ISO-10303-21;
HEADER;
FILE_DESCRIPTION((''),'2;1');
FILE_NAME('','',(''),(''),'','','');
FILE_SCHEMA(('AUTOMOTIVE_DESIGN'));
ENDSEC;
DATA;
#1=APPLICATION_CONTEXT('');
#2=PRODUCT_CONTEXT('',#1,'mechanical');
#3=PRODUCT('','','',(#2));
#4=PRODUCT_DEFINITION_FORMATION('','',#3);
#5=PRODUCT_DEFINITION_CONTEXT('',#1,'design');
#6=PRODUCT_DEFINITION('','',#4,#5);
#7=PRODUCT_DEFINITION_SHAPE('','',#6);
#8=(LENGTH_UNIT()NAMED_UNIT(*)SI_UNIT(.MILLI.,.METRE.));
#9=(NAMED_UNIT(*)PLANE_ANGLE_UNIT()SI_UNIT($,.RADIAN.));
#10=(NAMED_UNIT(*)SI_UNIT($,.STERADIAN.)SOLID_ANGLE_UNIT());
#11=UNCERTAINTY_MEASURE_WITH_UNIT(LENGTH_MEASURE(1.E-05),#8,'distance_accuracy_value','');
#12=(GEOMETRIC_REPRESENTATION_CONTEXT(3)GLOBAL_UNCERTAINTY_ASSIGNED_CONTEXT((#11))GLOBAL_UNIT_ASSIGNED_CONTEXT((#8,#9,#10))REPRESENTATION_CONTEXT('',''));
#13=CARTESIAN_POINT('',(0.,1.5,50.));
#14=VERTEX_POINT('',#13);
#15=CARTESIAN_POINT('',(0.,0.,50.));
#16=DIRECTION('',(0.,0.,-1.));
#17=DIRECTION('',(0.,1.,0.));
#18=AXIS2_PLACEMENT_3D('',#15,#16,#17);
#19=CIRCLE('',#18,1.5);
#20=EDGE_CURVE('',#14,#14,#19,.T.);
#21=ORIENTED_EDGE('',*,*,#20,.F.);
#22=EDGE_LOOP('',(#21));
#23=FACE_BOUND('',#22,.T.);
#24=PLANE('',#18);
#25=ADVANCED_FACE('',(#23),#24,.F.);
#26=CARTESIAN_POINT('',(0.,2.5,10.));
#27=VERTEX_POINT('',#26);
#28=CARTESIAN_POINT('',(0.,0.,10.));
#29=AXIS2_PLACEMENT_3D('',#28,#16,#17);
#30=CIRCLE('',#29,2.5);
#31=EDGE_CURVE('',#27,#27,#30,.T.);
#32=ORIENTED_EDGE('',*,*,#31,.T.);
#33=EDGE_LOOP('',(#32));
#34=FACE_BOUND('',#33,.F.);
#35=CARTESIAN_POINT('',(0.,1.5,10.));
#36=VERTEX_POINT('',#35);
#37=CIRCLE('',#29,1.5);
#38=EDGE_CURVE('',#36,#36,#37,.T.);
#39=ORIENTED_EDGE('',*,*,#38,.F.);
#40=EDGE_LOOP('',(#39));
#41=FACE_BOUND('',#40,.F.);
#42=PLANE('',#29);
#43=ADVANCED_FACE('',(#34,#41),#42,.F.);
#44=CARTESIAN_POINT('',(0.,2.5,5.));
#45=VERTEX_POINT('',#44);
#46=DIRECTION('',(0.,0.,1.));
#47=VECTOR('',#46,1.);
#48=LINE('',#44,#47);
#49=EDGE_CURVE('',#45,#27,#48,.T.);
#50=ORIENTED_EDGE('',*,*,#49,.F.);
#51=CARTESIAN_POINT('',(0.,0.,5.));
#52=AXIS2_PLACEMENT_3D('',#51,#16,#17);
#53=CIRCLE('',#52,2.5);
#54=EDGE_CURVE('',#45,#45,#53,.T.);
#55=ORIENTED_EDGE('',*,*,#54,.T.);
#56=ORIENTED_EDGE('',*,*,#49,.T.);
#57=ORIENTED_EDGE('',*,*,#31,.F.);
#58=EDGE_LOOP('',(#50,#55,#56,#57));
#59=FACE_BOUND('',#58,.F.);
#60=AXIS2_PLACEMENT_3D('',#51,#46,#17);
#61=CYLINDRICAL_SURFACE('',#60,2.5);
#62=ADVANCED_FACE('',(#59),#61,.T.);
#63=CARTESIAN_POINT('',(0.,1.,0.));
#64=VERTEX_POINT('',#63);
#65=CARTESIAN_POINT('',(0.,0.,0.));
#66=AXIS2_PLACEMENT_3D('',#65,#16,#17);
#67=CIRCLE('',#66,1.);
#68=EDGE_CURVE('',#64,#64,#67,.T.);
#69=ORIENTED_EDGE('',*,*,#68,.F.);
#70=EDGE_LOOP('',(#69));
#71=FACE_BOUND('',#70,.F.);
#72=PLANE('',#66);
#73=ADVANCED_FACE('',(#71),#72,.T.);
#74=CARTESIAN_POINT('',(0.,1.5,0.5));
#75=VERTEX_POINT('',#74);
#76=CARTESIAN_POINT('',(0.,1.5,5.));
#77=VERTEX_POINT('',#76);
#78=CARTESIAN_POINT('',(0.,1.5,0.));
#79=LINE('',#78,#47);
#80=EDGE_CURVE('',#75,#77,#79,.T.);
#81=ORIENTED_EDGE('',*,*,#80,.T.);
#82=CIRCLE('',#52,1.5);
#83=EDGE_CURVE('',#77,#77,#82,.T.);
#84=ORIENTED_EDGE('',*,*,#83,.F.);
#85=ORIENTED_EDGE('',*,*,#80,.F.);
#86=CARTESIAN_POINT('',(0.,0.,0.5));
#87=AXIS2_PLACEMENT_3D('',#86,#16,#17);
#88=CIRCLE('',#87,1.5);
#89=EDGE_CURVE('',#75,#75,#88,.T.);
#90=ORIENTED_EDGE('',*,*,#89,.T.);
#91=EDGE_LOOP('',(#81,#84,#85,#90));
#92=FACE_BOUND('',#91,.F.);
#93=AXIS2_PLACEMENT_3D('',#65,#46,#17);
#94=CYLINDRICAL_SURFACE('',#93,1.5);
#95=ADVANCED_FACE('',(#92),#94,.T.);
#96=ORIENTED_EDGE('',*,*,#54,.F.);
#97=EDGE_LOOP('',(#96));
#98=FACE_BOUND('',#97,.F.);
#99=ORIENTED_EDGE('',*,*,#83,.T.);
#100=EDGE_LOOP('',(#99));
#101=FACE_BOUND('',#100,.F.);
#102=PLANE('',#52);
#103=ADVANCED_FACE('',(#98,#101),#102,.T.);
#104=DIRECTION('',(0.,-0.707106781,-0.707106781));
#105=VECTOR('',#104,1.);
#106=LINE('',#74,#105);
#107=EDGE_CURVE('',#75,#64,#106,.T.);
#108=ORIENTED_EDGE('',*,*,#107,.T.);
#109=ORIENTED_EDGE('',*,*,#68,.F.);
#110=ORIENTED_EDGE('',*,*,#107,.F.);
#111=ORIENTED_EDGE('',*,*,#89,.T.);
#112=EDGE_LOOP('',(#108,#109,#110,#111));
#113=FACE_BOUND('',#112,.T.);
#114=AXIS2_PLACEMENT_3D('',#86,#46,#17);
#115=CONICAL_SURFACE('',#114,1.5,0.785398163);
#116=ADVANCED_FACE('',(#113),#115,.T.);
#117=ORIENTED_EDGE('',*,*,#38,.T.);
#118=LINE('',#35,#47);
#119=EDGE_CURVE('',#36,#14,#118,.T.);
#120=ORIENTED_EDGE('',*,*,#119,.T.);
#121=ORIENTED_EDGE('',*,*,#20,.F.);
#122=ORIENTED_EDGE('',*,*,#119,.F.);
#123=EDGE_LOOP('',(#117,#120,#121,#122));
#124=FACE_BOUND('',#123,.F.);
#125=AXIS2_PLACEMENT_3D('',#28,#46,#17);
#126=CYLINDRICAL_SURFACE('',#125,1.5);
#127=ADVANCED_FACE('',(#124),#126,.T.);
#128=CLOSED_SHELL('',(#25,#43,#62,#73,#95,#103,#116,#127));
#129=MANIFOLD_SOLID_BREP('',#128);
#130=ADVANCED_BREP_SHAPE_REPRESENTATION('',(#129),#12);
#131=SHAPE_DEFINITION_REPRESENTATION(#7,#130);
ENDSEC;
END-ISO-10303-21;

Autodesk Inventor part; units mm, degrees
ref_plane "YZ Plane" through (0, 0, 0) normal (1, 0, 0) x (0, 1, 0)
ref_plane "XZ Plane" through (0, 0, 0) normal (0, 1, 0) x (-1, 0, 0)
ref_plane "XY Plane" through (0, 0, 0) normal (0, 0, 1) x (1, 0, 0)
sketch "Esquisse2" plane through (0, 0, 0) normal (1, 0, 0) x (0, 1, 0)
  line L0 (0, 0) -> (0, -2.1683)
  line L1 (0, 0) -> (0, 50)
  line L2 (0, 0) -> (1.5, 0)
  line L3 (1.5, 0) -> (1.5, 5)
  line L4 (1.5, 5) -> (2.5, 5)
  line L5 (2.5, 5) -> (2.5, 10)
  line L6 (2.5, 10) -> (1.5, 10)
  line L7 (1.5, 10) -> (1.5, 50)
  line L8 (0, 50) -> (1.5, 50)
  dimension "d0" = 3
  dimension "d1" = 1
  dimension "d2" = 5
  dimension "d3" = 5
  dimension "d4" = 40
revolve "Révolution1" add sketch "Esquisse2" angle 360 about axis through (0, 0, 0) along (0, 0, -1)
thread "Filetage1" size "M3x0.5" class "6g" standard "ISO Metric profile" full length
chamfer "Chanfrein1" distance 0.5 angle 45 1 edges at (0, -1.5, 0)
properties part number "piston_axe"
